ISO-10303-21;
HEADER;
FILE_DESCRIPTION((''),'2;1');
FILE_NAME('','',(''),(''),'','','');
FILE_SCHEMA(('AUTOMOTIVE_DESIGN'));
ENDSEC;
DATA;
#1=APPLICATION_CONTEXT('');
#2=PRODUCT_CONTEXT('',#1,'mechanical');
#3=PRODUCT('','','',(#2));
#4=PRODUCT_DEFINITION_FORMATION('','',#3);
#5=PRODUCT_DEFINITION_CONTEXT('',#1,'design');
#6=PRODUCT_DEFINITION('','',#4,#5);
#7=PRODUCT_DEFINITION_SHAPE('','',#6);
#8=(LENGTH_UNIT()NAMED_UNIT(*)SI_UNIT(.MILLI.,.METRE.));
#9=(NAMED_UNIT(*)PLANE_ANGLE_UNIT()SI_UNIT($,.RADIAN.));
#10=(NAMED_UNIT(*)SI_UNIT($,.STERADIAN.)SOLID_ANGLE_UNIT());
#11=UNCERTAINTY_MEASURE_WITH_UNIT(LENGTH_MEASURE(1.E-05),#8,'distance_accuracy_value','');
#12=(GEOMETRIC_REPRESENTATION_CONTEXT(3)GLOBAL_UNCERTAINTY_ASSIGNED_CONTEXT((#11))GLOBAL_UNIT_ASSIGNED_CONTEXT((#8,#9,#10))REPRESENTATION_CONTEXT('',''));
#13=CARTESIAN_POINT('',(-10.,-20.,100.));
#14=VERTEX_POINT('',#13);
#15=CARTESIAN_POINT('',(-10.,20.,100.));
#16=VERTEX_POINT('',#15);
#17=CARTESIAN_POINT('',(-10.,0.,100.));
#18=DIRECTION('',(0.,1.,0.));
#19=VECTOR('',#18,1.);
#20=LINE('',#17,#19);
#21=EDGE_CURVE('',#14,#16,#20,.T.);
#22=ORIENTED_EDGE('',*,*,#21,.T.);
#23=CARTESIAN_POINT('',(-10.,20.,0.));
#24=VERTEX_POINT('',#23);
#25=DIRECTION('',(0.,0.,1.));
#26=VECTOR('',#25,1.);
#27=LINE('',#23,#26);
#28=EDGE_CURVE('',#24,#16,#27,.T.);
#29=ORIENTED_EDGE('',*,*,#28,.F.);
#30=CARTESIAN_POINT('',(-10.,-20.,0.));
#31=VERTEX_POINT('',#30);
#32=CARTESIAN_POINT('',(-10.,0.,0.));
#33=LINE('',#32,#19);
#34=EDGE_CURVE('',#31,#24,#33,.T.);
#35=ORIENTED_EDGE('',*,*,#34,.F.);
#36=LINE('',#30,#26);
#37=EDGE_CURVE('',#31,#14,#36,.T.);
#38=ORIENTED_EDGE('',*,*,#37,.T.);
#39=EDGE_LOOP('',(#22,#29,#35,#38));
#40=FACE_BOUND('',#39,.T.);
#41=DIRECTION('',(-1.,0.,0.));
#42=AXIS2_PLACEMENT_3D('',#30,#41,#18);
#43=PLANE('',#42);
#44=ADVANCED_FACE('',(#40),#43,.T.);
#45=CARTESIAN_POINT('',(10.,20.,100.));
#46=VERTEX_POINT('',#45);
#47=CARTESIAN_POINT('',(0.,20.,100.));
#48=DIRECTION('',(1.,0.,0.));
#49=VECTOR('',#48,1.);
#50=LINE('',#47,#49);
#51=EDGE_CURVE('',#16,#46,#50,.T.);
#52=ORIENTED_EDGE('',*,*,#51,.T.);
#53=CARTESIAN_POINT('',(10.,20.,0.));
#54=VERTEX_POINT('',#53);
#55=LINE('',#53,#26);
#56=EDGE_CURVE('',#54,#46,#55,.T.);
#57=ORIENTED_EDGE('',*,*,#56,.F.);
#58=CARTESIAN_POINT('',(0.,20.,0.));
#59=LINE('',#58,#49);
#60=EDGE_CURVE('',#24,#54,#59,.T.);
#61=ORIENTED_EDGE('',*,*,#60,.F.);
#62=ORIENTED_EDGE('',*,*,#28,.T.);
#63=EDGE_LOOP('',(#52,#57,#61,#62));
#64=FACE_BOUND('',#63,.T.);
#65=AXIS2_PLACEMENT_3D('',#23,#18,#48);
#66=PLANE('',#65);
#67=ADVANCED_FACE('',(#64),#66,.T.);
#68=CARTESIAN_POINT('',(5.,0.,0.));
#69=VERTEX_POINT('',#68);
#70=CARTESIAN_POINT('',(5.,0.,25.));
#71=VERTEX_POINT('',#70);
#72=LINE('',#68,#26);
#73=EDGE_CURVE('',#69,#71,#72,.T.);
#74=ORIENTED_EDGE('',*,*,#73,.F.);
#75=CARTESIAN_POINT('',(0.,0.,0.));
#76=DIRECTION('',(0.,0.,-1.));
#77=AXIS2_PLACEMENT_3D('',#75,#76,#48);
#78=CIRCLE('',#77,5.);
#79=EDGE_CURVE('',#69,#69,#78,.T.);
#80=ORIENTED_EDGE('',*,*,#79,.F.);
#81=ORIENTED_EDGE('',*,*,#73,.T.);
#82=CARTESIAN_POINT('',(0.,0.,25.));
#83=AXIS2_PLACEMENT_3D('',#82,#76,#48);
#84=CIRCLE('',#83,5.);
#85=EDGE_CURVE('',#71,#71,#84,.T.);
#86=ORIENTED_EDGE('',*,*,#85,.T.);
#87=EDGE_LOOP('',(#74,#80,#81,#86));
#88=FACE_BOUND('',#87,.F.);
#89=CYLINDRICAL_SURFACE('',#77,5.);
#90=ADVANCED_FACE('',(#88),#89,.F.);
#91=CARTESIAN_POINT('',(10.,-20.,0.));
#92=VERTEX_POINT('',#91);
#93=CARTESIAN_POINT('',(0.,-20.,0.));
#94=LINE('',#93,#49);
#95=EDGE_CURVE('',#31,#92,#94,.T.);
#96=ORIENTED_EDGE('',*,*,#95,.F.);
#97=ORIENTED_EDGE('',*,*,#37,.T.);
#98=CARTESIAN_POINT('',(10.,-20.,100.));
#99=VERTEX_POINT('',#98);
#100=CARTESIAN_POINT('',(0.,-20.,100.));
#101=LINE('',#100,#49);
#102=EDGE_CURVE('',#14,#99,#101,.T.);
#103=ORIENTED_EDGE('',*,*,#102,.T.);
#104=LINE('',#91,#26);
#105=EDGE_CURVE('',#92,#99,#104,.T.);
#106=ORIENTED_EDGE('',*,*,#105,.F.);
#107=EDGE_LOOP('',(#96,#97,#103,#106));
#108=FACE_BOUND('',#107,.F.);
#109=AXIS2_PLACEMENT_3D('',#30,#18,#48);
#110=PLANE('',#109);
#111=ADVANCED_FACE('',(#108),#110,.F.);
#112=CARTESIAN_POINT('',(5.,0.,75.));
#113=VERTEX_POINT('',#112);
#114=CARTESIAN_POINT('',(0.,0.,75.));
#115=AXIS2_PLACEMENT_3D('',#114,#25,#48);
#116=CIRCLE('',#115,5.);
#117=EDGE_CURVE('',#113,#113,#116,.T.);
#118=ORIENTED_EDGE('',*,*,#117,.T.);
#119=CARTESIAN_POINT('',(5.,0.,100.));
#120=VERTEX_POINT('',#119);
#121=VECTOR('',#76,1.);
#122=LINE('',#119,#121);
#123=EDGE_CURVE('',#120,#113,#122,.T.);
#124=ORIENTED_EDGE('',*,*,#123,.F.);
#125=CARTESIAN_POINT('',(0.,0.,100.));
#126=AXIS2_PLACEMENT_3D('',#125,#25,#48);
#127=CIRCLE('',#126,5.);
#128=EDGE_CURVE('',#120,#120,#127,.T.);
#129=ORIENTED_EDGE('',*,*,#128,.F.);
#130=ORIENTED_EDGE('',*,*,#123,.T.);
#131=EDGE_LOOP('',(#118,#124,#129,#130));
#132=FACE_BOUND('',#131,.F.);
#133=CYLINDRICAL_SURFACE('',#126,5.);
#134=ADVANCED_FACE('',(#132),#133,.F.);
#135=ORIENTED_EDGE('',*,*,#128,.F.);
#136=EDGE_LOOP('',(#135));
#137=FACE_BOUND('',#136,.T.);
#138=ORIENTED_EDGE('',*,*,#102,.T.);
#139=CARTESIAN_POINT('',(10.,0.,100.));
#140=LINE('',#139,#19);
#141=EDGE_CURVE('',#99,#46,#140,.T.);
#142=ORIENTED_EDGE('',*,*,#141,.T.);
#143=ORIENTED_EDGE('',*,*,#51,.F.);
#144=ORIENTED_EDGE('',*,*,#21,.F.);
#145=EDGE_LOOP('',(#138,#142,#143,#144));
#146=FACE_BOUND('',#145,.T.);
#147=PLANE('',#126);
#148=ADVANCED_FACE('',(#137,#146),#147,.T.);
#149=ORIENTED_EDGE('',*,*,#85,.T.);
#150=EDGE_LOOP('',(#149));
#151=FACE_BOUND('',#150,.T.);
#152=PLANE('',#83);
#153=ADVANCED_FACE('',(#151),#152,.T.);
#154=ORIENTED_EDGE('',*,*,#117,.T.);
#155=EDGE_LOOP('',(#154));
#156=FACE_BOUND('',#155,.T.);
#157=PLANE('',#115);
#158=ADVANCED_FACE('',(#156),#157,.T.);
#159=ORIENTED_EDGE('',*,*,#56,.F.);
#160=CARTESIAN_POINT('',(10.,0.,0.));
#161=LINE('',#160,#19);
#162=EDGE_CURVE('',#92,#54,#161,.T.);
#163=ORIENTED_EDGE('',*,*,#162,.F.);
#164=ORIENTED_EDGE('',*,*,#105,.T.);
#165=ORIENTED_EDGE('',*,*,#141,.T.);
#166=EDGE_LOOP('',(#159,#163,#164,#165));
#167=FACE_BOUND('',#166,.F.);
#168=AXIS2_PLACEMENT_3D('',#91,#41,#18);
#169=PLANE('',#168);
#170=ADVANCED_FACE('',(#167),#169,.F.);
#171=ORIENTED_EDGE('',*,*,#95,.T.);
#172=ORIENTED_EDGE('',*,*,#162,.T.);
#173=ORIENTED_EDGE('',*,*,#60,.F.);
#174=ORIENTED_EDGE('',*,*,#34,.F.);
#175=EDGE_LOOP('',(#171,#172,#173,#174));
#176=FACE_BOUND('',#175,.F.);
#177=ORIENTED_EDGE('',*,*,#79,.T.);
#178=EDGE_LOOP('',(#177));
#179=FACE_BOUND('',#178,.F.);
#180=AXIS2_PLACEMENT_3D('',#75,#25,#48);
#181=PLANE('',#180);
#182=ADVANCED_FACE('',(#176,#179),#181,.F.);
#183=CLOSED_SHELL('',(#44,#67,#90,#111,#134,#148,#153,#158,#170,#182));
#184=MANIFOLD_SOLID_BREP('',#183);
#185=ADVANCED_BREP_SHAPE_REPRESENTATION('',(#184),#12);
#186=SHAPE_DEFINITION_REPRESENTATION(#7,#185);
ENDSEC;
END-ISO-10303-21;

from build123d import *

# Parameters (mm, degrees)
F0_W     = 20
F0_H     = 40
F1_DEPTH = 100
F2_R     = 5
F3_DEPTH = 25
F4_R     = 5
F5_DEPTH = 25


with BuildPart() as f1:
    # F0 (on Top) → F1 (new body)
    with BuildSketch(Plane.XY):
        Rectangle(F0_W, F0_H)
    extrude(amount=F1_DEPTH)

    # F2 (on face) → F3 (cut)
    with BuildSketch(Plane.XY.offset(100)):
        Circle(F2_R)
    extrude(amount=-F3_DEPTH, mode=Mode.SUBTRACT)

    # F4 (on face) → F5 (cut)
    with BuildSketch(Plane(origin=(0, 0, 0), x_dir=(1, 0, 0), z_dir=(0, 0, -1))):
        Circle(F4_R)
    extrude(amount=-F5_DEPTH, mode=Mode.SUBTRACT)


solid = f1.part
